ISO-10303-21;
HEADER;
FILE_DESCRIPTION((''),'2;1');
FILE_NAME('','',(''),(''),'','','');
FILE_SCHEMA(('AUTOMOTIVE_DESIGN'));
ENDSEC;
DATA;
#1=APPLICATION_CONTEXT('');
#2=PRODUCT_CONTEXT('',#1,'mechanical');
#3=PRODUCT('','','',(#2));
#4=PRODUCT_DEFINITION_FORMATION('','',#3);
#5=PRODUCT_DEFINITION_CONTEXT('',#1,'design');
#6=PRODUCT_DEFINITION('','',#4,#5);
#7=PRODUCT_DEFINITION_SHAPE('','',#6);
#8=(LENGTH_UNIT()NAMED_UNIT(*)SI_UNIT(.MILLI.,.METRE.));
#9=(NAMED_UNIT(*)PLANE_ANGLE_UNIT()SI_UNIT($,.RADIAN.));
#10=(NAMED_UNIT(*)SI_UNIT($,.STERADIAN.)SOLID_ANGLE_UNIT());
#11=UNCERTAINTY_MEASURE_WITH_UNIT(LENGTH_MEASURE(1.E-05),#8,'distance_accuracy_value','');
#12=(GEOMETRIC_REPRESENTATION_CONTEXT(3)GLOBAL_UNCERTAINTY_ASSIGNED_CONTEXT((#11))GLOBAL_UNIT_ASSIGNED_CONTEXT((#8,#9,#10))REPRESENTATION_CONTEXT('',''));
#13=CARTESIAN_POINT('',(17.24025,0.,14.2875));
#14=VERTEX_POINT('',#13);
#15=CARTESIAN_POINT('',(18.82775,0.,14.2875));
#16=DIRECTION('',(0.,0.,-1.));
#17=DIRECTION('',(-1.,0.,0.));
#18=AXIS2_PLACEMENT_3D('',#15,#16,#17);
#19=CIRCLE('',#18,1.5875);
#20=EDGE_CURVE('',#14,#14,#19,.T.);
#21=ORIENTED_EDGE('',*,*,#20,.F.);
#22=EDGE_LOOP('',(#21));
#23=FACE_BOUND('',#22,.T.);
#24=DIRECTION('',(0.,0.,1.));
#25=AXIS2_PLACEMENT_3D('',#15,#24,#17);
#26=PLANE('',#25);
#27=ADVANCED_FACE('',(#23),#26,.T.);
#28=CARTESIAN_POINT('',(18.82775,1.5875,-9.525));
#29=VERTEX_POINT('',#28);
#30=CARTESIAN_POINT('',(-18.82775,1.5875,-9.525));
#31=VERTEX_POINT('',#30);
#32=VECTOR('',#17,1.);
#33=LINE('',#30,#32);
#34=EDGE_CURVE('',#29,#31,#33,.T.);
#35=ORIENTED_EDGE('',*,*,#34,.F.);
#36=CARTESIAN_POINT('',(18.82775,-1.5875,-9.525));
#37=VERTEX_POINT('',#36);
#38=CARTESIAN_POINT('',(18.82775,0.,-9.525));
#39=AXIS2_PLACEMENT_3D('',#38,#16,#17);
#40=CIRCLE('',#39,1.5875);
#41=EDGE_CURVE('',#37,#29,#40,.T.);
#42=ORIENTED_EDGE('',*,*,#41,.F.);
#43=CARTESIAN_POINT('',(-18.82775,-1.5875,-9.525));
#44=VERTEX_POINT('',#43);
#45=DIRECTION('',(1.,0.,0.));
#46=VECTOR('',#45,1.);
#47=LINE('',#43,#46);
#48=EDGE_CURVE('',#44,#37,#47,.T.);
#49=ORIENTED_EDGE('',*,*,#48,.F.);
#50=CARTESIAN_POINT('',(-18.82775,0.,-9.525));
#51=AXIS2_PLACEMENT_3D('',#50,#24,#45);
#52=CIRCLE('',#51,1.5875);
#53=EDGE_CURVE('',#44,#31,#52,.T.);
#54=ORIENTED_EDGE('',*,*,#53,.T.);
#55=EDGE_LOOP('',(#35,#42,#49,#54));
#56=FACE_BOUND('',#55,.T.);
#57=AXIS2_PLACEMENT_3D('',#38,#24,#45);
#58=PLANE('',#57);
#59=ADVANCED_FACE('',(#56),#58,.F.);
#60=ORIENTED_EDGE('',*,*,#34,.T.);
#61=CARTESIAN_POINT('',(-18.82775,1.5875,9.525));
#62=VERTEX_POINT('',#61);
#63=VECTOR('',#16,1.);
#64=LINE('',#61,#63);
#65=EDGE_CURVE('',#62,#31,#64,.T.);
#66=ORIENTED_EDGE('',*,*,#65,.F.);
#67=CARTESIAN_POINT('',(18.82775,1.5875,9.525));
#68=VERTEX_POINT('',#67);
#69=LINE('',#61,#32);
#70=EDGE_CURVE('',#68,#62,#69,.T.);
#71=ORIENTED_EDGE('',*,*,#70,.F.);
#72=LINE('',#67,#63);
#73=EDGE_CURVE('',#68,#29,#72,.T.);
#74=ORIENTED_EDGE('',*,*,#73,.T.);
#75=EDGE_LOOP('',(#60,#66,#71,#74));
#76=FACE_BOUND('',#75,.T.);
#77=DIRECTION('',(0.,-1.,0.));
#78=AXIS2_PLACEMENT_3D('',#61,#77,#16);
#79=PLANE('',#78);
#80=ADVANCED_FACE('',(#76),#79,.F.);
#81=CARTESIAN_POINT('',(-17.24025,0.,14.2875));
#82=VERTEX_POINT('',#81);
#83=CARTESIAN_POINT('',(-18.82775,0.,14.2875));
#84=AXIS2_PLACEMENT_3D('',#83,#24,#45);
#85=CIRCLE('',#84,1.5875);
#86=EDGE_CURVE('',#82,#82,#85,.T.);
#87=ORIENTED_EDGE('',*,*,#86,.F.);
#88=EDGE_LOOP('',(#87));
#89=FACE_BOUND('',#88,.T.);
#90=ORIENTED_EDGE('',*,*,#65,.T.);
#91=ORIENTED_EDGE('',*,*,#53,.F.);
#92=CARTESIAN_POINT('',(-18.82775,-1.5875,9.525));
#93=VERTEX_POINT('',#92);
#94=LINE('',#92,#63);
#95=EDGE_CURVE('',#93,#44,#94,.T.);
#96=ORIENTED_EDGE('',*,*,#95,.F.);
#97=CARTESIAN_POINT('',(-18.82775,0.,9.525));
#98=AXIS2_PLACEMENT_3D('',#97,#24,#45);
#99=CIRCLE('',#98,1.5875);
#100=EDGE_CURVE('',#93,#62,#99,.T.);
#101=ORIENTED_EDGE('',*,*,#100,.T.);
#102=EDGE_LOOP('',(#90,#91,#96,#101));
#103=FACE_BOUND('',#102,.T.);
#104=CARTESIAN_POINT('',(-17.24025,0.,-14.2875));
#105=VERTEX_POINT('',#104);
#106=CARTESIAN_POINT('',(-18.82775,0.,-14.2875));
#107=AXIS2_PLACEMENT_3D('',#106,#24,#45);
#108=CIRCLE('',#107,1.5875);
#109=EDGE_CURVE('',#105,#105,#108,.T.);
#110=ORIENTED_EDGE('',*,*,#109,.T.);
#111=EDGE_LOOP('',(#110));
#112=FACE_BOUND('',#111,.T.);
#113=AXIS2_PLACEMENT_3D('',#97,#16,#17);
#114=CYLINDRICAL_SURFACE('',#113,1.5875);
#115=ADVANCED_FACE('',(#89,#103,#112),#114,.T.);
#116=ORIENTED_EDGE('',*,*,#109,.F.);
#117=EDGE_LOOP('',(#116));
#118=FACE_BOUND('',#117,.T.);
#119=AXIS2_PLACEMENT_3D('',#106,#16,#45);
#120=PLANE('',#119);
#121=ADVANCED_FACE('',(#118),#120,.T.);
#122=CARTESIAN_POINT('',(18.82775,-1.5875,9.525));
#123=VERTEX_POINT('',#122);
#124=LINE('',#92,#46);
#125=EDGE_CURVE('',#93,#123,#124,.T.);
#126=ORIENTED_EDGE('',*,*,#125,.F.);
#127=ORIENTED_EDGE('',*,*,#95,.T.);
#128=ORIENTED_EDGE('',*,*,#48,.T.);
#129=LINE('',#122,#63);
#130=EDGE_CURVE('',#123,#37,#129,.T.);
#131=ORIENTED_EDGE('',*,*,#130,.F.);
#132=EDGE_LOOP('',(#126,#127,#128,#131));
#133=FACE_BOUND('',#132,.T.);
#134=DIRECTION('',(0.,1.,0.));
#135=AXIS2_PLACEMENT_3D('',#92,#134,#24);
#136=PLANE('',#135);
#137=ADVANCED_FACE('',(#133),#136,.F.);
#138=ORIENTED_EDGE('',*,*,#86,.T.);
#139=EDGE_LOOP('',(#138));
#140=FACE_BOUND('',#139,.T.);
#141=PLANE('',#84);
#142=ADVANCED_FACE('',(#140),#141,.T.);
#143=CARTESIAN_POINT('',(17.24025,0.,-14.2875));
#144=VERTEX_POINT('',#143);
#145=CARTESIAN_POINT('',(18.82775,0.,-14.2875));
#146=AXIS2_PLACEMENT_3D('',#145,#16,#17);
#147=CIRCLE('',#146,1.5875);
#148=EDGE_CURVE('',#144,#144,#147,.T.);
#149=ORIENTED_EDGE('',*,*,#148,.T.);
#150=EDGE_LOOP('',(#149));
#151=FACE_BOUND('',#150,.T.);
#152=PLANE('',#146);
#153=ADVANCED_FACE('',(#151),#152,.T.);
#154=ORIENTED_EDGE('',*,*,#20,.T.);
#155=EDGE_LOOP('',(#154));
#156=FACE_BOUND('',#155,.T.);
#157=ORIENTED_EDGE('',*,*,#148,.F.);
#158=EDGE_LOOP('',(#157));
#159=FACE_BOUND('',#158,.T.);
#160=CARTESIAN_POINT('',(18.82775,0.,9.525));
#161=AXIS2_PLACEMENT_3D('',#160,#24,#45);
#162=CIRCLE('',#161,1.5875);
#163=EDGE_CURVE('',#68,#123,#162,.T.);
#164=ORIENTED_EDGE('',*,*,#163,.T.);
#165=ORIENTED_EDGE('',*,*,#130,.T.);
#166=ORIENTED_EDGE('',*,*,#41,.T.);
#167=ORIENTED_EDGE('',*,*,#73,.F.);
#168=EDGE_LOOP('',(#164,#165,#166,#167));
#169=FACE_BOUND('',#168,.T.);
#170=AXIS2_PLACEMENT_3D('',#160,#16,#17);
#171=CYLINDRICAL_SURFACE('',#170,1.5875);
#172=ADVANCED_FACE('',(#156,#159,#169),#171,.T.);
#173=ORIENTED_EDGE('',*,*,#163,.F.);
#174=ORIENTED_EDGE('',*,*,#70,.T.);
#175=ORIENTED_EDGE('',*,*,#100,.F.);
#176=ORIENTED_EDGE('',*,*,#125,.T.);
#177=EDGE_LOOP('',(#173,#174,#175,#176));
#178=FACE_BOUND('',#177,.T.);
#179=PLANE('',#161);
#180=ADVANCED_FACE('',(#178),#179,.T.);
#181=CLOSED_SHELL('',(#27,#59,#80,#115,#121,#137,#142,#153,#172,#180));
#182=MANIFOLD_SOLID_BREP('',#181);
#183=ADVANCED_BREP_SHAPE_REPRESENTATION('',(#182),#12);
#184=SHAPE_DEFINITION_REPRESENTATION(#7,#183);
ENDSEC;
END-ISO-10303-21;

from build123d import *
from build123d.topology import SkipClean

# Parameters (mm, degrees)
BOSS_EXTRUDE1_DEPTH     = 9.525
SKETCH3_R               = 1.5875
BOSS_EXTRUDE3_DEPTH     = 4.7625
MIRROR2_COPY_1_SKETCH_R = 1.5875
MIRROR2_COPY_1_DEPTH    = 4.7625


with BuildPart() as part:
    # Sketch1 → Boss-Extrude1 (new body, symmetric)
    with BuildSketch(Plane.XY):
        with BuildLine():
            Line((-18.82775, 1.5875), (18.82775, 1.5875))
            ThreePointArc((18.82775, 1.5875), (20.41525, 0), (18.82775, -1.5875))
            Line((18.82775, -1.5875), (-18.82775, -1.5875))
            ThreePointArc((-18.82775, -1.5875), (-20.41525, 0), (-18.82775, 1.5875))
        make_face()
    extrude(amount=BOSS_EXTRUDE1_DEPTH, both=True)

    # Sketch3 → Boss-Extrude3 (add)
    with BuildSketch(Plane.XY.offset(9.525)):
        with Locations(Location((-18.82775, 0, 0), (0, 0, 270))):  # turned: the seam where the file's is
            Circle(SKETCH3_R)
    boss_extrude3 = extrude(amount=BOSS_EXTRUDE3_DEPTH)

    # Mirror1: Boss-Extrude3 across plane
    with SkipClean():  # keep this step's faces unmerged: merging them makes the solid invalid here
        add(boss_extrude3.mirror(Plane(origin=(0, 0, 0), x_dir=(0, 0, 1), z_dir=(1, 0, 0))))

    # Mirror2: Boss-Extrude3 across plane
    with SkipClean():  # keep this step's faces unmerged: merging them makes the solid invalid here
        add(boss_extrude3.mirror(Plane.XY))

    # Mirror2 copy 1 sketch → Mirror2 copy 1 (add)
    with BuildSketch(Plane(origin=(0, 0, -9.525), x_dir=(-1, 0, 0), z_dir=(0, 0, -1))):
        with Locations(Location((-18.82775, 0, 0), (0, 0, 270))):  # turned: the seam where the file's is
            Circle(MIRROR2_COPY_1_SKETCH_R)
    extrude(amount=MIRROR2_COPY_1_DEPTH)


solid = part.part
